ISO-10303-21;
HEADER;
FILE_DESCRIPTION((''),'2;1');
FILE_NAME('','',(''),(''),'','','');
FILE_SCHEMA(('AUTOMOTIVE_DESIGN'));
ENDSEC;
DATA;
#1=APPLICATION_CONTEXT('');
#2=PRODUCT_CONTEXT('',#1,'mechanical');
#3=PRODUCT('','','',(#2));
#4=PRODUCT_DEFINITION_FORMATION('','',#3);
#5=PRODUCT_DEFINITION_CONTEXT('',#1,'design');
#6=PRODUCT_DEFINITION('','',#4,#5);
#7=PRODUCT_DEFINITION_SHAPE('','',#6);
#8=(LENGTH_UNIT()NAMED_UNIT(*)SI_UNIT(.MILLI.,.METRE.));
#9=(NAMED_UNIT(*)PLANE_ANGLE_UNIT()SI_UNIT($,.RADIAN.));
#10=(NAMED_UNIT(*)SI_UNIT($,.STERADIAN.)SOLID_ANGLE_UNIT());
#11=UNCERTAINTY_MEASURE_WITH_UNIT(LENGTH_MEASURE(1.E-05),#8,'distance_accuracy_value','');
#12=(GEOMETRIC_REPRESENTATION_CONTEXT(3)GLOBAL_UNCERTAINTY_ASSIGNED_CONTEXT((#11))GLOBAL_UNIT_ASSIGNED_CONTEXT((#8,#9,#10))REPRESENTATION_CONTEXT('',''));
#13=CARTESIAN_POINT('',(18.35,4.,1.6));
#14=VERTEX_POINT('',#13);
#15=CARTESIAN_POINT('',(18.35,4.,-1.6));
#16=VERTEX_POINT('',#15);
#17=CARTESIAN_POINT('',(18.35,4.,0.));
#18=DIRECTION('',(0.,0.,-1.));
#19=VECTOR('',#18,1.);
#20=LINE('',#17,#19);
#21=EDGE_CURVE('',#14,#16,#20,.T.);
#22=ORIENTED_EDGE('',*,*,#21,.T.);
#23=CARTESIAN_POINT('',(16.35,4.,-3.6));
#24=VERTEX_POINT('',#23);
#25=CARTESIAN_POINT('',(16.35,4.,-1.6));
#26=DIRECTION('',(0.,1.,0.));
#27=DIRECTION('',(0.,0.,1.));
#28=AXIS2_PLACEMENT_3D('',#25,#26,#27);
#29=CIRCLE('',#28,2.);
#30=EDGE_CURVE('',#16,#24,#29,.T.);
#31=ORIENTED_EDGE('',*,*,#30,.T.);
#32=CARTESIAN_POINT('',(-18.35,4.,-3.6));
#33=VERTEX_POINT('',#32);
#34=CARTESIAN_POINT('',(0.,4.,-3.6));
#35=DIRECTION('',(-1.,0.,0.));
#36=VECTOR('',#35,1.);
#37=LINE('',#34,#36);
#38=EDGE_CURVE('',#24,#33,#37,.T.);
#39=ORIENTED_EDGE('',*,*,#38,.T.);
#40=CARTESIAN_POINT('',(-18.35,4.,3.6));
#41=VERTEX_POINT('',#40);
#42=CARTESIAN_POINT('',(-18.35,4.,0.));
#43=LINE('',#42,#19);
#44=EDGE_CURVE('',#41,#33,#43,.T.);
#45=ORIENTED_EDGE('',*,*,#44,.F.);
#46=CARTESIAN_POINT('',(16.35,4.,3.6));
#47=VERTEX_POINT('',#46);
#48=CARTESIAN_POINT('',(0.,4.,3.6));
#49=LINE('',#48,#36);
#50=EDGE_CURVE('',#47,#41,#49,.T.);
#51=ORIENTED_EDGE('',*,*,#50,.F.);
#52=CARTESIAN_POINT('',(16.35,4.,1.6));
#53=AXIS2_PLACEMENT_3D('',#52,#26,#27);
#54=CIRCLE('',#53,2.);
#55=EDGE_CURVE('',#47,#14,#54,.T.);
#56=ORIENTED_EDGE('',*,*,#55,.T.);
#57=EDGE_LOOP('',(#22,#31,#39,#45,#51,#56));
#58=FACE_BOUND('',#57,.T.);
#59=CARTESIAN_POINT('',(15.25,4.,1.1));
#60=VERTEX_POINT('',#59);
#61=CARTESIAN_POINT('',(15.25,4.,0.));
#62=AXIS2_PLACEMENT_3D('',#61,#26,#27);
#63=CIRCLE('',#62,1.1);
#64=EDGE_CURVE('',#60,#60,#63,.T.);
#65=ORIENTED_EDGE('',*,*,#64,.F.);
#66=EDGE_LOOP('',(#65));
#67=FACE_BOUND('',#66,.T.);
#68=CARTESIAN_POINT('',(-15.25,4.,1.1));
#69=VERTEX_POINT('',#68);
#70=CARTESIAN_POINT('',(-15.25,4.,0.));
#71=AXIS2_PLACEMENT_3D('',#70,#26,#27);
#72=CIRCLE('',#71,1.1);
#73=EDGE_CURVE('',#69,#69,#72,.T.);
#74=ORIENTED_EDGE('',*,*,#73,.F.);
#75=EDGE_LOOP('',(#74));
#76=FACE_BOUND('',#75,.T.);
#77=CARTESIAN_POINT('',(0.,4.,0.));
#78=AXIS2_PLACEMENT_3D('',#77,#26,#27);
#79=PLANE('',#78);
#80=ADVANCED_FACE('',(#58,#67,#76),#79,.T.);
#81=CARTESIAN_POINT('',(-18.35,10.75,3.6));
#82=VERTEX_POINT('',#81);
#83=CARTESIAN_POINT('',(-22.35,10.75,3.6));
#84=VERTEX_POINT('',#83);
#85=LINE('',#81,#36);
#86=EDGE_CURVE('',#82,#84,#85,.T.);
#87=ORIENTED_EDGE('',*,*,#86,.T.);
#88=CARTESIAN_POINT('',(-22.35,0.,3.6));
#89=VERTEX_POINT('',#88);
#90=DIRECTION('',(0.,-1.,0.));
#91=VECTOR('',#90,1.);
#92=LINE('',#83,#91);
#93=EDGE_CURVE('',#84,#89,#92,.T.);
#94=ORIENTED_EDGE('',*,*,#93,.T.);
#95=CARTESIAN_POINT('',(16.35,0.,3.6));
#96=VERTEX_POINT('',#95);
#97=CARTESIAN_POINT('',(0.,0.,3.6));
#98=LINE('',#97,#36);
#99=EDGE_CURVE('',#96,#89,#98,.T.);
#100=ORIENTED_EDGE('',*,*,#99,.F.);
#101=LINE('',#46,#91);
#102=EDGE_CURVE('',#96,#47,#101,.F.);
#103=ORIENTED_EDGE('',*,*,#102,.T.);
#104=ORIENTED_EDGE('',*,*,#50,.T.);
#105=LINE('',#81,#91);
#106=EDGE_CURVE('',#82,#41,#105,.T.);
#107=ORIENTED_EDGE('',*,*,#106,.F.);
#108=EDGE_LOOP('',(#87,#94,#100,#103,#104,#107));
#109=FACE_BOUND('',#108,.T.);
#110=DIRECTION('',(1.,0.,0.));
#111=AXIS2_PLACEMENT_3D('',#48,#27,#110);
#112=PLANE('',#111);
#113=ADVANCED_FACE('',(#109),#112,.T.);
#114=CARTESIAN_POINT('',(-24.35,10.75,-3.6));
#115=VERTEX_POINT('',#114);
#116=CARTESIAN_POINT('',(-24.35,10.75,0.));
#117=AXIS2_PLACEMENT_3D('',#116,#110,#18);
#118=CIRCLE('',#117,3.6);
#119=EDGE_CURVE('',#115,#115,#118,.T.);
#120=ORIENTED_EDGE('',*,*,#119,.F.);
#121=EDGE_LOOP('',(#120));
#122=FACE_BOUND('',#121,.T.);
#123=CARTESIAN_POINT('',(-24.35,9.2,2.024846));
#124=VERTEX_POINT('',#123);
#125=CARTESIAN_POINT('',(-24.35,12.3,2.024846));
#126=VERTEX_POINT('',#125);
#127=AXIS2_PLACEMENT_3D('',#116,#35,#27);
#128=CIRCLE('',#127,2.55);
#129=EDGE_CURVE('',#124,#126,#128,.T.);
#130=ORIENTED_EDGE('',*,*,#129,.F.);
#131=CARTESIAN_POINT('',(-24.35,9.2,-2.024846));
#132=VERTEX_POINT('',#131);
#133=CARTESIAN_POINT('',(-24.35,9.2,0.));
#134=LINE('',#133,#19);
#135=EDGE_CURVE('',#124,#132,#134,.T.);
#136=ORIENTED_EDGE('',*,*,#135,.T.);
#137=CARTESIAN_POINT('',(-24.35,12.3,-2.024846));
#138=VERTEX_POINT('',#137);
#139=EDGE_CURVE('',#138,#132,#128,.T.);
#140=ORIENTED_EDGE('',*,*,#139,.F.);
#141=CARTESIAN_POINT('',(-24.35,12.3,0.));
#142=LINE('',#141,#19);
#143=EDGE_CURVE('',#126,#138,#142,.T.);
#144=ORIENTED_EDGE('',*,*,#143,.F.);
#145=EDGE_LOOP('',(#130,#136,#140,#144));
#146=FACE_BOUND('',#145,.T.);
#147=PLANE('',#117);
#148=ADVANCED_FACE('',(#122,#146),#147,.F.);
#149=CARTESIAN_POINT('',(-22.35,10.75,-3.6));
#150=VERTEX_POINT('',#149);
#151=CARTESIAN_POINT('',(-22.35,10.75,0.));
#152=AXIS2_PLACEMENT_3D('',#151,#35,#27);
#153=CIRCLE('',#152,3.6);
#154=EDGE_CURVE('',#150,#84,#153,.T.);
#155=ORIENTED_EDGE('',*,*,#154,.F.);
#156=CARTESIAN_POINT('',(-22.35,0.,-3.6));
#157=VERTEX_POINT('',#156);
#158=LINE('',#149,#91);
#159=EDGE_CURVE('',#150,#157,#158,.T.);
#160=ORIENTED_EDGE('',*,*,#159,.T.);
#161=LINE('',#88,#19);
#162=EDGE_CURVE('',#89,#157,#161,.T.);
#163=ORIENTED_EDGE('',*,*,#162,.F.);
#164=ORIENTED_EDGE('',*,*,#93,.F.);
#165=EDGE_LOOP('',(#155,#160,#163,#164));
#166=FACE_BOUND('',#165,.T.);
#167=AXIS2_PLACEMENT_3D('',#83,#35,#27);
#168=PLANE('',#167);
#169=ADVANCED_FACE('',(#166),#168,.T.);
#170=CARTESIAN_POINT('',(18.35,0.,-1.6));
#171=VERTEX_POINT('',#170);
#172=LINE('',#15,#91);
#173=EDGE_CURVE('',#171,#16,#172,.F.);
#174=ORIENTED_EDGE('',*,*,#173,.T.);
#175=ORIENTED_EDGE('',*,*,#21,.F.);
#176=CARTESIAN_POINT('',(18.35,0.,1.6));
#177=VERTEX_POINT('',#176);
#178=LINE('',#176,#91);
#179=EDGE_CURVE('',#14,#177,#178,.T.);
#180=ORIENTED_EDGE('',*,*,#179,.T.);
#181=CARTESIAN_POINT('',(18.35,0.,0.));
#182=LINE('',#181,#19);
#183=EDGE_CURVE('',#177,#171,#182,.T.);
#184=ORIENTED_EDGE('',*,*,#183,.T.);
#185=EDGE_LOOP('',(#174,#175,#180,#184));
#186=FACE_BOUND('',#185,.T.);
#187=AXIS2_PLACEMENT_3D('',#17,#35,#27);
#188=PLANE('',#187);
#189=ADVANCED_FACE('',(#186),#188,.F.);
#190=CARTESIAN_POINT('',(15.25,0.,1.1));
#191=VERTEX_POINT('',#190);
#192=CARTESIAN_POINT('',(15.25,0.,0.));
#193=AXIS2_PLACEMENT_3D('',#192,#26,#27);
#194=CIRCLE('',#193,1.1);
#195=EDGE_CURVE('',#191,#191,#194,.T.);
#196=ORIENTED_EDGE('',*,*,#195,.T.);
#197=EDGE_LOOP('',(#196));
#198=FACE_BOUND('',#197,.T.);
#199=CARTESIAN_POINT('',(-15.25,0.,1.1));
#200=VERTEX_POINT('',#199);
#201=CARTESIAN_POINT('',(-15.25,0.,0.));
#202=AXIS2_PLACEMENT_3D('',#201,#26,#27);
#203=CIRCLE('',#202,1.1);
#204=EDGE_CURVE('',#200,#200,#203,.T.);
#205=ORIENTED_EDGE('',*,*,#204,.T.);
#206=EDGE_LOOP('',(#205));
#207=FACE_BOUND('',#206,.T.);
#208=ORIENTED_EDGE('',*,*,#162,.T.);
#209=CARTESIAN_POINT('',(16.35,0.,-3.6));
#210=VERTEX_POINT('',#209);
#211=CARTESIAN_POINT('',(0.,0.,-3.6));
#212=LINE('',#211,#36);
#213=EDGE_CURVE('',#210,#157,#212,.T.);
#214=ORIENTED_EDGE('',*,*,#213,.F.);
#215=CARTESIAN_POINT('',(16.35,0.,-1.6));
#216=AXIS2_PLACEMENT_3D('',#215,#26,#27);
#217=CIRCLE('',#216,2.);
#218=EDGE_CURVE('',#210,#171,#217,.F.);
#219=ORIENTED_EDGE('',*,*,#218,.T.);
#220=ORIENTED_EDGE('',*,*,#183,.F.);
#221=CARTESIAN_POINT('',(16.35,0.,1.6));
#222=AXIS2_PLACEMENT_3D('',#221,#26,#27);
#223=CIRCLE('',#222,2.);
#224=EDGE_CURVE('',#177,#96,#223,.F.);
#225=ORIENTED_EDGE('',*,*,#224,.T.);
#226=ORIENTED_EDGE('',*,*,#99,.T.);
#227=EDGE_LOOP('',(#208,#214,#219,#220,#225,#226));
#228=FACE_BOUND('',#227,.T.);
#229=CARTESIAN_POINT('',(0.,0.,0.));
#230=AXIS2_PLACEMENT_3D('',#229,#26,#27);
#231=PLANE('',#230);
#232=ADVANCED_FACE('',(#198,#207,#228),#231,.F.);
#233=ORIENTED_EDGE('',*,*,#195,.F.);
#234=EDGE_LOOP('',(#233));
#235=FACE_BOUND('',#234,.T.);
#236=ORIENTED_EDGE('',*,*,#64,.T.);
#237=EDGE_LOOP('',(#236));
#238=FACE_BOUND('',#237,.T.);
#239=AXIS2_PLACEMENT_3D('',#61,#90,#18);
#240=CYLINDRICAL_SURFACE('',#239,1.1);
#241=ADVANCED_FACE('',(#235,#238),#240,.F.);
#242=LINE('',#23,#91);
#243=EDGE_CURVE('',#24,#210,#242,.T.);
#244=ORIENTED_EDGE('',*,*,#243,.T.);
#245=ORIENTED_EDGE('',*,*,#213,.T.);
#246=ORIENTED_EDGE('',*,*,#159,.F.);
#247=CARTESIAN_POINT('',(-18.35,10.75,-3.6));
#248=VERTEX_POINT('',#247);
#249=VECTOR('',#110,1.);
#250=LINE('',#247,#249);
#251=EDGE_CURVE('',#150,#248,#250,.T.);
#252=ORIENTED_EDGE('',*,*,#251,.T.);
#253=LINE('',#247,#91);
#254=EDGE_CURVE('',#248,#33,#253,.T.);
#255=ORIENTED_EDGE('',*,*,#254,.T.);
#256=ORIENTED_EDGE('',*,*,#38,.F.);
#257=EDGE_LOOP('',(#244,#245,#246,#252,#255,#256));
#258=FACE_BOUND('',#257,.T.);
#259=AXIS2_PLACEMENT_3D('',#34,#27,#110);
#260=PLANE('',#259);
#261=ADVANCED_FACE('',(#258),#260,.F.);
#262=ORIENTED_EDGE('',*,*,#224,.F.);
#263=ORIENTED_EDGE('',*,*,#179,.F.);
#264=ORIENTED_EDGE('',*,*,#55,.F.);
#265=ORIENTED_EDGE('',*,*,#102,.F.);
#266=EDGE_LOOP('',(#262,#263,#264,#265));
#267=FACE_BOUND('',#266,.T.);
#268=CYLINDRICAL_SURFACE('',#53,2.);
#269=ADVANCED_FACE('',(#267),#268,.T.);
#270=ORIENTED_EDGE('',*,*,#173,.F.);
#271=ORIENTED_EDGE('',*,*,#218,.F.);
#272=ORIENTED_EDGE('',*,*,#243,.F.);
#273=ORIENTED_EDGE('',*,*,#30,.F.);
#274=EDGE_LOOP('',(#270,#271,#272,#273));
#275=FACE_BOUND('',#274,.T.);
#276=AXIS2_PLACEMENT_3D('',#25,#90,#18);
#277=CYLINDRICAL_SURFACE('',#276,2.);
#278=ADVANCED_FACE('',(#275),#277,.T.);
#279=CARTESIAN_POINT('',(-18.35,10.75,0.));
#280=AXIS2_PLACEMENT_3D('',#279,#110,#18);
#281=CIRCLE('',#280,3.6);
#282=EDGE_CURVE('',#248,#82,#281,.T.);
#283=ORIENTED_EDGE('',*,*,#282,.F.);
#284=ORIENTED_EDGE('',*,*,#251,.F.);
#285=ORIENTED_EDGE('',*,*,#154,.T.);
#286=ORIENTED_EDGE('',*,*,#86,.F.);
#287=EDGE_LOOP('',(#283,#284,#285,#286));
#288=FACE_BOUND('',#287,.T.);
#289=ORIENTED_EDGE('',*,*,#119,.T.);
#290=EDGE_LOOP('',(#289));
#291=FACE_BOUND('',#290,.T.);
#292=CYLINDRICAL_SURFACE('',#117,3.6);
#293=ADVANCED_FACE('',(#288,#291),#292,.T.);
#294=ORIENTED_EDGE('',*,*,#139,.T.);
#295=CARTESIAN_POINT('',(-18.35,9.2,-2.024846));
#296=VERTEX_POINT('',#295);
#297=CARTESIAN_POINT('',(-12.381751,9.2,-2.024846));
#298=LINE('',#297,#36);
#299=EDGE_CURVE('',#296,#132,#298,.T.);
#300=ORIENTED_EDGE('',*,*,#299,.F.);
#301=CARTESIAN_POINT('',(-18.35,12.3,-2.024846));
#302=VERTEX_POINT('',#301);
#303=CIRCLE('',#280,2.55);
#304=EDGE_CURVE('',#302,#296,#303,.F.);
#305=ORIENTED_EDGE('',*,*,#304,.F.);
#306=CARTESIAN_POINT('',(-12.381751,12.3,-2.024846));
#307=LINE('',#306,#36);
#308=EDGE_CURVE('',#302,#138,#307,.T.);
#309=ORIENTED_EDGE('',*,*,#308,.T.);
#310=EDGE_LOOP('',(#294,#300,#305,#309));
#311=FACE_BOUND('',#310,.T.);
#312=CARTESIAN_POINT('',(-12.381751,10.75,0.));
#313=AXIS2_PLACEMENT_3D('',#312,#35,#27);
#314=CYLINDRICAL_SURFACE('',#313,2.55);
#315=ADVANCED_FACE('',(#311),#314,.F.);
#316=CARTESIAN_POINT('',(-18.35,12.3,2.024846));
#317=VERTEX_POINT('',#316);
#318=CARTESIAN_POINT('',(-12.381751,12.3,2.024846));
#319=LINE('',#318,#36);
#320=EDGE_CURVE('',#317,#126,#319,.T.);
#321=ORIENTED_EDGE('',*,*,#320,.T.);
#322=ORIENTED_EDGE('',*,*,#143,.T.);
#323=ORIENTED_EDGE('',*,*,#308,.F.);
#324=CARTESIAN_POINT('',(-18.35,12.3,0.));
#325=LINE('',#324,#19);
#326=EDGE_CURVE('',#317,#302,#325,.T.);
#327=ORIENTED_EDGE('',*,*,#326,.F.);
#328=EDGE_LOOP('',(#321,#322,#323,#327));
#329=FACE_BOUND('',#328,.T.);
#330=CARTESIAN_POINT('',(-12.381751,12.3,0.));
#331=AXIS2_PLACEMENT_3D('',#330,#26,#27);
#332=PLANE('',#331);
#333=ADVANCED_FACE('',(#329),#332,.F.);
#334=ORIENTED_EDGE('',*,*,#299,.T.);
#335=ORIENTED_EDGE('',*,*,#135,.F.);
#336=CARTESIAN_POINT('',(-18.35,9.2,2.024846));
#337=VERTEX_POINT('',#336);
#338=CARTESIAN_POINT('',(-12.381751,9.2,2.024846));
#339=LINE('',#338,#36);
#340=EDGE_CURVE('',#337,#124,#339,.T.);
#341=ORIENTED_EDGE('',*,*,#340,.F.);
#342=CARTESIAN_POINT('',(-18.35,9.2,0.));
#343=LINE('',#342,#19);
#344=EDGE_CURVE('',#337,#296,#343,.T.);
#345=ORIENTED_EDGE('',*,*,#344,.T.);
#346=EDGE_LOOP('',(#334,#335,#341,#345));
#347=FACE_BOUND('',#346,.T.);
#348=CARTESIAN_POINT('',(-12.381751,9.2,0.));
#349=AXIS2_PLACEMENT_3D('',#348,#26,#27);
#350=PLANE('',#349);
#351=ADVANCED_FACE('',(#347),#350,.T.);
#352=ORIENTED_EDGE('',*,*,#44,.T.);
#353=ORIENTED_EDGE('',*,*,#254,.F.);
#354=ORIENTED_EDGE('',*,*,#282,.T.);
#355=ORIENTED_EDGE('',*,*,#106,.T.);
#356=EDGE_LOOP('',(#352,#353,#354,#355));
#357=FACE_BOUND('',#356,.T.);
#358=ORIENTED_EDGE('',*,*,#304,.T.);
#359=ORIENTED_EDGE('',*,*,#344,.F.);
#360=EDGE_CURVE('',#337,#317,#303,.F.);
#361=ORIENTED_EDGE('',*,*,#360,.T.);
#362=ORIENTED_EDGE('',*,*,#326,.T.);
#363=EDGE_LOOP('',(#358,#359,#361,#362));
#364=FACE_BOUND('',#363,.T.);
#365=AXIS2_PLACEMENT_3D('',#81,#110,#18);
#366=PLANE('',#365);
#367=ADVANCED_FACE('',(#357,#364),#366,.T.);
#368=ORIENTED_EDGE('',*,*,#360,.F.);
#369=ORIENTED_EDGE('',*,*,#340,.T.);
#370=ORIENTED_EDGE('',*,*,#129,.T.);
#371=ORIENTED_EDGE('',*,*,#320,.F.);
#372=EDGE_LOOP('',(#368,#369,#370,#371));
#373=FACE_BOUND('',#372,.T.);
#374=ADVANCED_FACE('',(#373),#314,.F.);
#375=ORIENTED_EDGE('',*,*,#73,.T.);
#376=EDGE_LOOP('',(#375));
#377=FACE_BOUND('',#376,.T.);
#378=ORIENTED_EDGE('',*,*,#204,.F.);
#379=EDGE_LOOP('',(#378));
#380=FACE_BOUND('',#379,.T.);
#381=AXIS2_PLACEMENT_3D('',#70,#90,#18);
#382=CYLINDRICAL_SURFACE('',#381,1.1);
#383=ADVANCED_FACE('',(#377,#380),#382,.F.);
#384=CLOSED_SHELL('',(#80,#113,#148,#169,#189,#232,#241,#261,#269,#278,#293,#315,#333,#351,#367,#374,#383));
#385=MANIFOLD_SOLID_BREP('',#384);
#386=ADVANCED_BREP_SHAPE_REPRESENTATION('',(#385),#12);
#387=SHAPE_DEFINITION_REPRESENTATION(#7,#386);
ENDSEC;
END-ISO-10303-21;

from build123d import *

# Parameters (mm, degrees)
SKETCH1_W           = 36.7
SKETCH1_H           = 7.2
SKETCH1_R           = 1.1
BOSS_EXTRUDE1_DEPTH = 4
SKETCH2_W           = 4
SKETCH2_H           = 7.2
BOSS_EXTRUDE2_DEPTH = 10.75
SKETCH3_R           = 3.6
BOSS_EXTRUDE3_DEPTH = 6
FILLET1_R           = 2
CUT_EXTRUDE1_DEPTH  = 6


with BuildPart() as part:
    # Sketch1 → Boss-Extrude1 (new body)
    with BuildSketch(Plane(origin=(0, 0, 0), x_dir=(1, 0, 0), z_dir=(0, 1, 0))):
        Rectangle(SKETCH1_W, SKETCH1_H)
        with Locations(Location((15.25, 0, 0), (0, 0, 270))):
            Circle(SKETCH1_R, mode=Mode.SUBTRACT)
        with Locations(Location((-15.25, 0, 0), (0, 0, 270))):
            Circle(SKETCH1_R, mode=Mode.SUBTRACT)
    extrude(amount=BOSS_EXTRUDE1_DEPTH)

    # Sketch2 → Boss-Extrude2 (add)
    with BuildSketch(Plane.XZ):
        with Locations((-20.35, 0)):
            Rectangle(SKETCH2_W, SKETCH2_H)
    extrude(amount=-BOSS_EXTRUDE2_DEPTH)

    # Sketch3 → Boss-Extrude3 (add)
    with BuildSketch(Plane(origin=(-18.35, 0, 0), x_dir=(0, 0, -1), z_dir=(1, 0, 0))):
        with Locations((0, 10.75)):
            Circle(SKETCH3_R)
    extrude(amount=-BOSS_EXTRUDE3_DEPTH)

    # Fillet1
    fillet1_edges = [part.edges().sort_by_distance(p)[0] for p in [
        (18.35, 2, -3.6),
        (18.35, 2, 3.6),
    ]]
    fillet(fillet1_edges, radius=FILLET1_R)

    # Sketch4 → Cut-Extrude1 (cut)
    with BuildSketch(Plane.ZY.offset(24.35)):
        with BuildLine():
            Line((-2.024845673, 9.2), (0, 9.2))
            Line((0, 9.2), (0, 12.3))
            Line((0, 12.3), (-2.024845673, 12.3))
            ThreePointArc((-2.024845673, 12.3), (-2.55, 10.75), (-2.024845673, 9.2))
        make_face()
        with BuildLine():
            Line((0, 12.3), (0, 9.2))
            Line((0, 9.2), (2.024845673, 9.2))
            ThreePointArc((2.024845673, 9.2), (2.415145593, 9.93172635), (2.55, 10.75))
            ThreePointArc((2.55, 10.75), (2.415145593, 11.56827365), (2.024845673, 12.3))
            Line((2.024845673, 12.3), (0, 12.3))
        make_face()
    extrude(amount=-CUT_EXTRUDE1_DEPTH, mode=Mode.SUBTRACT)


solid = part.part
